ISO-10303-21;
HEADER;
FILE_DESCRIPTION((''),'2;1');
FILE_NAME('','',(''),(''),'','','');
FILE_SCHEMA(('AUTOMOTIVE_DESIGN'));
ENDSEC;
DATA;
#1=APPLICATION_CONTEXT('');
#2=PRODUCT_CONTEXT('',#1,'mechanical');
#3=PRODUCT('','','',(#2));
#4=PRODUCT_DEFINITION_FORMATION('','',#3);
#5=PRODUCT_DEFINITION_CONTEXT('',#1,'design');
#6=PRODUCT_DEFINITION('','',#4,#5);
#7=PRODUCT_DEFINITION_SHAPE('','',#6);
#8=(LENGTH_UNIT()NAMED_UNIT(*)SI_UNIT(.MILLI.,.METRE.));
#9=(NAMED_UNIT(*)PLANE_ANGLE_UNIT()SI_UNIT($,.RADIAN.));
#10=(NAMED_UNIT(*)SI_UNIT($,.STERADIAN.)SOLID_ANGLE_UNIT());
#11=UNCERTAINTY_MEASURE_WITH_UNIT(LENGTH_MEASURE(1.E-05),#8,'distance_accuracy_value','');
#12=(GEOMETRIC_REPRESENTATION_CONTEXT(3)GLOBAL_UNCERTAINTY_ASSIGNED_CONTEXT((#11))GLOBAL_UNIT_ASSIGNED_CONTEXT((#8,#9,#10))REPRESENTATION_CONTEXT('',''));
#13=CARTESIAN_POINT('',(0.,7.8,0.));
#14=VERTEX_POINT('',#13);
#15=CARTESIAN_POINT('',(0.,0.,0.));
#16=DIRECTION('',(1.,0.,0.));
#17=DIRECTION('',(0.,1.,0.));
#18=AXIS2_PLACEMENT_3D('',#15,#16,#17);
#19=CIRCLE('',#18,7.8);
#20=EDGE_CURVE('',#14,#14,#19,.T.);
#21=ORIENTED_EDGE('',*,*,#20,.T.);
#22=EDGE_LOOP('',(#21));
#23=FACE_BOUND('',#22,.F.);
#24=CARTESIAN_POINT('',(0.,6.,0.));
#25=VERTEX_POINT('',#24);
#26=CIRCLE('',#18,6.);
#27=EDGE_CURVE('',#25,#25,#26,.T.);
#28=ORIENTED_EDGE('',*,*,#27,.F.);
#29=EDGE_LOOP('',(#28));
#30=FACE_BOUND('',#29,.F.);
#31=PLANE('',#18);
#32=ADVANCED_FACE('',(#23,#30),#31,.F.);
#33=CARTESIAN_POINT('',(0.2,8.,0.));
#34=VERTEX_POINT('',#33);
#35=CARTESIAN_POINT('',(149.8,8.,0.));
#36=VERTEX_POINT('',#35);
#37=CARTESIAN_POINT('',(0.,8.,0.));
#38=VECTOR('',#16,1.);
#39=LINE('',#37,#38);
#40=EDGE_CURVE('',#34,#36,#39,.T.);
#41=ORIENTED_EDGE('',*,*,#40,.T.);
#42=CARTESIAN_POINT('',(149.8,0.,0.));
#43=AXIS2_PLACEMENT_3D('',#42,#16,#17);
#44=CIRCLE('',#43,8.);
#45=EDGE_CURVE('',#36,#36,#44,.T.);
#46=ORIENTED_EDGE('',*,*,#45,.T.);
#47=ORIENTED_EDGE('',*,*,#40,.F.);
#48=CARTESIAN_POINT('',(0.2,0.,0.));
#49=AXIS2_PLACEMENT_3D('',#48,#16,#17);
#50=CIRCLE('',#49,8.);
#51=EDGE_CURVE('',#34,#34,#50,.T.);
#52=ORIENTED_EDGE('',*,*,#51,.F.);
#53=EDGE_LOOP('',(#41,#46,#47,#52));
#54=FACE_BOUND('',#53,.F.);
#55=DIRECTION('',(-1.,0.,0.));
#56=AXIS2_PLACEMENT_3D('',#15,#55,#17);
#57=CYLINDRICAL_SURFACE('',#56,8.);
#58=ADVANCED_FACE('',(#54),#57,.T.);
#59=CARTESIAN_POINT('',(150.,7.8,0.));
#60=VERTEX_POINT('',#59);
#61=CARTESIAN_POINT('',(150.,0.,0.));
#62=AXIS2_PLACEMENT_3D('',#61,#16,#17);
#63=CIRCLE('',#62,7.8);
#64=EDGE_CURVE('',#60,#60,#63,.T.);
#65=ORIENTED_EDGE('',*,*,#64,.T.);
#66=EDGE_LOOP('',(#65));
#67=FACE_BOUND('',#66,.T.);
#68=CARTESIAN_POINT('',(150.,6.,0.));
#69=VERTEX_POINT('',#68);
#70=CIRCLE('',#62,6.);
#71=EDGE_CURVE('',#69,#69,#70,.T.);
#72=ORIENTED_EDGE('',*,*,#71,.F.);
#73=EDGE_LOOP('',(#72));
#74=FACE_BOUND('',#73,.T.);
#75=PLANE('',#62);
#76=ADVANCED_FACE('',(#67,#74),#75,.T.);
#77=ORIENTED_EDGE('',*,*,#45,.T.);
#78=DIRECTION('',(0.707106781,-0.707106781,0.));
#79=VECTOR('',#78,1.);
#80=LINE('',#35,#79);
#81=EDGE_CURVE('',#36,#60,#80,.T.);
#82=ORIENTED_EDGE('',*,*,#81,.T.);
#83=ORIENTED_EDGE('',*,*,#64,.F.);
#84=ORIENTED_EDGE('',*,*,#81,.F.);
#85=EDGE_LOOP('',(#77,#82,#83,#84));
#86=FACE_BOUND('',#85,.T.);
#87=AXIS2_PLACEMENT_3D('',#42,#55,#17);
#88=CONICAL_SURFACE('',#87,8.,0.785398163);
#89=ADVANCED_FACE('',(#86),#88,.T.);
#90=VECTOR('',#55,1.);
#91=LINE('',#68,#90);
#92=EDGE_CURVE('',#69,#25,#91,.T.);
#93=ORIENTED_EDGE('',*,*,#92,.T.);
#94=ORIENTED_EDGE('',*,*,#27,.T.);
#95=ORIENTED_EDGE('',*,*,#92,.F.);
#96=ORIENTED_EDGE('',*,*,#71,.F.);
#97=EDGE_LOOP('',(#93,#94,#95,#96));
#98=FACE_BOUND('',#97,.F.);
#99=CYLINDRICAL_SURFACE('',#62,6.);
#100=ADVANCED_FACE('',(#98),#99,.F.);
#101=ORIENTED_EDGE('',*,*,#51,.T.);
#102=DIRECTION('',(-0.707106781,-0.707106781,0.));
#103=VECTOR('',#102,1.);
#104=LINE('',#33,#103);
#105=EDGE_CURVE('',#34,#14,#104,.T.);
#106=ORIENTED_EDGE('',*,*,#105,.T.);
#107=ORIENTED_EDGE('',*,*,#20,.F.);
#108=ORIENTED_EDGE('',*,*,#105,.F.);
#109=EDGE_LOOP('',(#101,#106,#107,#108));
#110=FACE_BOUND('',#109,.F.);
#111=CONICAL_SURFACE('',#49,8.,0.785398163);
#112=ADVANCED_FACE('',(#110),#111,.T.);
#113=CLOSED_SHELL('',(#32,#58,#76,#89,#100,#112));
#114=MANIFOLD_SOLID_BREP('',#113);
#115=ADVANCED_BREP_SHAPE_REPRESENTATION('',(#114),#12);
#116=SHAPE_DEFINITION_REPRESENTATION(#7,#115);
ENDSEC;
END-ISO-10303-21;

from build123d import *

# Parameters (mm, degrees)
F0_R     = 8
F1_DEPTH = 150
F2_R     = 6
F3_DEPTH = 150.001
F4_SIZE  = 0.2
F5_SIZE  = 0.2


with BuildPart() as f1:
    # F0 (on Right) → F1 (new body)
    with BuildSketch(Plane.YZ):
        Circle(F0_R)
    extrude(amount=F1_DEPTH)

    # F2 (on face) → F3 (cut, through all)
    with BuildSketch(Plane.YZ.offset(150)):
        Circle(F2_R)
    extrude(amount=-F3_DEPTH, mode=Mode.SUBTRACT)

    # F4
    f4_edges = [f1.edges().sort_by_distance(p)[0] for p in [
        (150, -8, 0),
    ]]
    chamfer(f4_edges, length=F4_SIZE)

    # F5
    f5_edges = [f1.edges().sort_by_distance(p)[0] for p in [
        (0, -8, 0),
    ]]
    chamfer(f5_edges, length=F5_SIZE)


solid = f1.part
